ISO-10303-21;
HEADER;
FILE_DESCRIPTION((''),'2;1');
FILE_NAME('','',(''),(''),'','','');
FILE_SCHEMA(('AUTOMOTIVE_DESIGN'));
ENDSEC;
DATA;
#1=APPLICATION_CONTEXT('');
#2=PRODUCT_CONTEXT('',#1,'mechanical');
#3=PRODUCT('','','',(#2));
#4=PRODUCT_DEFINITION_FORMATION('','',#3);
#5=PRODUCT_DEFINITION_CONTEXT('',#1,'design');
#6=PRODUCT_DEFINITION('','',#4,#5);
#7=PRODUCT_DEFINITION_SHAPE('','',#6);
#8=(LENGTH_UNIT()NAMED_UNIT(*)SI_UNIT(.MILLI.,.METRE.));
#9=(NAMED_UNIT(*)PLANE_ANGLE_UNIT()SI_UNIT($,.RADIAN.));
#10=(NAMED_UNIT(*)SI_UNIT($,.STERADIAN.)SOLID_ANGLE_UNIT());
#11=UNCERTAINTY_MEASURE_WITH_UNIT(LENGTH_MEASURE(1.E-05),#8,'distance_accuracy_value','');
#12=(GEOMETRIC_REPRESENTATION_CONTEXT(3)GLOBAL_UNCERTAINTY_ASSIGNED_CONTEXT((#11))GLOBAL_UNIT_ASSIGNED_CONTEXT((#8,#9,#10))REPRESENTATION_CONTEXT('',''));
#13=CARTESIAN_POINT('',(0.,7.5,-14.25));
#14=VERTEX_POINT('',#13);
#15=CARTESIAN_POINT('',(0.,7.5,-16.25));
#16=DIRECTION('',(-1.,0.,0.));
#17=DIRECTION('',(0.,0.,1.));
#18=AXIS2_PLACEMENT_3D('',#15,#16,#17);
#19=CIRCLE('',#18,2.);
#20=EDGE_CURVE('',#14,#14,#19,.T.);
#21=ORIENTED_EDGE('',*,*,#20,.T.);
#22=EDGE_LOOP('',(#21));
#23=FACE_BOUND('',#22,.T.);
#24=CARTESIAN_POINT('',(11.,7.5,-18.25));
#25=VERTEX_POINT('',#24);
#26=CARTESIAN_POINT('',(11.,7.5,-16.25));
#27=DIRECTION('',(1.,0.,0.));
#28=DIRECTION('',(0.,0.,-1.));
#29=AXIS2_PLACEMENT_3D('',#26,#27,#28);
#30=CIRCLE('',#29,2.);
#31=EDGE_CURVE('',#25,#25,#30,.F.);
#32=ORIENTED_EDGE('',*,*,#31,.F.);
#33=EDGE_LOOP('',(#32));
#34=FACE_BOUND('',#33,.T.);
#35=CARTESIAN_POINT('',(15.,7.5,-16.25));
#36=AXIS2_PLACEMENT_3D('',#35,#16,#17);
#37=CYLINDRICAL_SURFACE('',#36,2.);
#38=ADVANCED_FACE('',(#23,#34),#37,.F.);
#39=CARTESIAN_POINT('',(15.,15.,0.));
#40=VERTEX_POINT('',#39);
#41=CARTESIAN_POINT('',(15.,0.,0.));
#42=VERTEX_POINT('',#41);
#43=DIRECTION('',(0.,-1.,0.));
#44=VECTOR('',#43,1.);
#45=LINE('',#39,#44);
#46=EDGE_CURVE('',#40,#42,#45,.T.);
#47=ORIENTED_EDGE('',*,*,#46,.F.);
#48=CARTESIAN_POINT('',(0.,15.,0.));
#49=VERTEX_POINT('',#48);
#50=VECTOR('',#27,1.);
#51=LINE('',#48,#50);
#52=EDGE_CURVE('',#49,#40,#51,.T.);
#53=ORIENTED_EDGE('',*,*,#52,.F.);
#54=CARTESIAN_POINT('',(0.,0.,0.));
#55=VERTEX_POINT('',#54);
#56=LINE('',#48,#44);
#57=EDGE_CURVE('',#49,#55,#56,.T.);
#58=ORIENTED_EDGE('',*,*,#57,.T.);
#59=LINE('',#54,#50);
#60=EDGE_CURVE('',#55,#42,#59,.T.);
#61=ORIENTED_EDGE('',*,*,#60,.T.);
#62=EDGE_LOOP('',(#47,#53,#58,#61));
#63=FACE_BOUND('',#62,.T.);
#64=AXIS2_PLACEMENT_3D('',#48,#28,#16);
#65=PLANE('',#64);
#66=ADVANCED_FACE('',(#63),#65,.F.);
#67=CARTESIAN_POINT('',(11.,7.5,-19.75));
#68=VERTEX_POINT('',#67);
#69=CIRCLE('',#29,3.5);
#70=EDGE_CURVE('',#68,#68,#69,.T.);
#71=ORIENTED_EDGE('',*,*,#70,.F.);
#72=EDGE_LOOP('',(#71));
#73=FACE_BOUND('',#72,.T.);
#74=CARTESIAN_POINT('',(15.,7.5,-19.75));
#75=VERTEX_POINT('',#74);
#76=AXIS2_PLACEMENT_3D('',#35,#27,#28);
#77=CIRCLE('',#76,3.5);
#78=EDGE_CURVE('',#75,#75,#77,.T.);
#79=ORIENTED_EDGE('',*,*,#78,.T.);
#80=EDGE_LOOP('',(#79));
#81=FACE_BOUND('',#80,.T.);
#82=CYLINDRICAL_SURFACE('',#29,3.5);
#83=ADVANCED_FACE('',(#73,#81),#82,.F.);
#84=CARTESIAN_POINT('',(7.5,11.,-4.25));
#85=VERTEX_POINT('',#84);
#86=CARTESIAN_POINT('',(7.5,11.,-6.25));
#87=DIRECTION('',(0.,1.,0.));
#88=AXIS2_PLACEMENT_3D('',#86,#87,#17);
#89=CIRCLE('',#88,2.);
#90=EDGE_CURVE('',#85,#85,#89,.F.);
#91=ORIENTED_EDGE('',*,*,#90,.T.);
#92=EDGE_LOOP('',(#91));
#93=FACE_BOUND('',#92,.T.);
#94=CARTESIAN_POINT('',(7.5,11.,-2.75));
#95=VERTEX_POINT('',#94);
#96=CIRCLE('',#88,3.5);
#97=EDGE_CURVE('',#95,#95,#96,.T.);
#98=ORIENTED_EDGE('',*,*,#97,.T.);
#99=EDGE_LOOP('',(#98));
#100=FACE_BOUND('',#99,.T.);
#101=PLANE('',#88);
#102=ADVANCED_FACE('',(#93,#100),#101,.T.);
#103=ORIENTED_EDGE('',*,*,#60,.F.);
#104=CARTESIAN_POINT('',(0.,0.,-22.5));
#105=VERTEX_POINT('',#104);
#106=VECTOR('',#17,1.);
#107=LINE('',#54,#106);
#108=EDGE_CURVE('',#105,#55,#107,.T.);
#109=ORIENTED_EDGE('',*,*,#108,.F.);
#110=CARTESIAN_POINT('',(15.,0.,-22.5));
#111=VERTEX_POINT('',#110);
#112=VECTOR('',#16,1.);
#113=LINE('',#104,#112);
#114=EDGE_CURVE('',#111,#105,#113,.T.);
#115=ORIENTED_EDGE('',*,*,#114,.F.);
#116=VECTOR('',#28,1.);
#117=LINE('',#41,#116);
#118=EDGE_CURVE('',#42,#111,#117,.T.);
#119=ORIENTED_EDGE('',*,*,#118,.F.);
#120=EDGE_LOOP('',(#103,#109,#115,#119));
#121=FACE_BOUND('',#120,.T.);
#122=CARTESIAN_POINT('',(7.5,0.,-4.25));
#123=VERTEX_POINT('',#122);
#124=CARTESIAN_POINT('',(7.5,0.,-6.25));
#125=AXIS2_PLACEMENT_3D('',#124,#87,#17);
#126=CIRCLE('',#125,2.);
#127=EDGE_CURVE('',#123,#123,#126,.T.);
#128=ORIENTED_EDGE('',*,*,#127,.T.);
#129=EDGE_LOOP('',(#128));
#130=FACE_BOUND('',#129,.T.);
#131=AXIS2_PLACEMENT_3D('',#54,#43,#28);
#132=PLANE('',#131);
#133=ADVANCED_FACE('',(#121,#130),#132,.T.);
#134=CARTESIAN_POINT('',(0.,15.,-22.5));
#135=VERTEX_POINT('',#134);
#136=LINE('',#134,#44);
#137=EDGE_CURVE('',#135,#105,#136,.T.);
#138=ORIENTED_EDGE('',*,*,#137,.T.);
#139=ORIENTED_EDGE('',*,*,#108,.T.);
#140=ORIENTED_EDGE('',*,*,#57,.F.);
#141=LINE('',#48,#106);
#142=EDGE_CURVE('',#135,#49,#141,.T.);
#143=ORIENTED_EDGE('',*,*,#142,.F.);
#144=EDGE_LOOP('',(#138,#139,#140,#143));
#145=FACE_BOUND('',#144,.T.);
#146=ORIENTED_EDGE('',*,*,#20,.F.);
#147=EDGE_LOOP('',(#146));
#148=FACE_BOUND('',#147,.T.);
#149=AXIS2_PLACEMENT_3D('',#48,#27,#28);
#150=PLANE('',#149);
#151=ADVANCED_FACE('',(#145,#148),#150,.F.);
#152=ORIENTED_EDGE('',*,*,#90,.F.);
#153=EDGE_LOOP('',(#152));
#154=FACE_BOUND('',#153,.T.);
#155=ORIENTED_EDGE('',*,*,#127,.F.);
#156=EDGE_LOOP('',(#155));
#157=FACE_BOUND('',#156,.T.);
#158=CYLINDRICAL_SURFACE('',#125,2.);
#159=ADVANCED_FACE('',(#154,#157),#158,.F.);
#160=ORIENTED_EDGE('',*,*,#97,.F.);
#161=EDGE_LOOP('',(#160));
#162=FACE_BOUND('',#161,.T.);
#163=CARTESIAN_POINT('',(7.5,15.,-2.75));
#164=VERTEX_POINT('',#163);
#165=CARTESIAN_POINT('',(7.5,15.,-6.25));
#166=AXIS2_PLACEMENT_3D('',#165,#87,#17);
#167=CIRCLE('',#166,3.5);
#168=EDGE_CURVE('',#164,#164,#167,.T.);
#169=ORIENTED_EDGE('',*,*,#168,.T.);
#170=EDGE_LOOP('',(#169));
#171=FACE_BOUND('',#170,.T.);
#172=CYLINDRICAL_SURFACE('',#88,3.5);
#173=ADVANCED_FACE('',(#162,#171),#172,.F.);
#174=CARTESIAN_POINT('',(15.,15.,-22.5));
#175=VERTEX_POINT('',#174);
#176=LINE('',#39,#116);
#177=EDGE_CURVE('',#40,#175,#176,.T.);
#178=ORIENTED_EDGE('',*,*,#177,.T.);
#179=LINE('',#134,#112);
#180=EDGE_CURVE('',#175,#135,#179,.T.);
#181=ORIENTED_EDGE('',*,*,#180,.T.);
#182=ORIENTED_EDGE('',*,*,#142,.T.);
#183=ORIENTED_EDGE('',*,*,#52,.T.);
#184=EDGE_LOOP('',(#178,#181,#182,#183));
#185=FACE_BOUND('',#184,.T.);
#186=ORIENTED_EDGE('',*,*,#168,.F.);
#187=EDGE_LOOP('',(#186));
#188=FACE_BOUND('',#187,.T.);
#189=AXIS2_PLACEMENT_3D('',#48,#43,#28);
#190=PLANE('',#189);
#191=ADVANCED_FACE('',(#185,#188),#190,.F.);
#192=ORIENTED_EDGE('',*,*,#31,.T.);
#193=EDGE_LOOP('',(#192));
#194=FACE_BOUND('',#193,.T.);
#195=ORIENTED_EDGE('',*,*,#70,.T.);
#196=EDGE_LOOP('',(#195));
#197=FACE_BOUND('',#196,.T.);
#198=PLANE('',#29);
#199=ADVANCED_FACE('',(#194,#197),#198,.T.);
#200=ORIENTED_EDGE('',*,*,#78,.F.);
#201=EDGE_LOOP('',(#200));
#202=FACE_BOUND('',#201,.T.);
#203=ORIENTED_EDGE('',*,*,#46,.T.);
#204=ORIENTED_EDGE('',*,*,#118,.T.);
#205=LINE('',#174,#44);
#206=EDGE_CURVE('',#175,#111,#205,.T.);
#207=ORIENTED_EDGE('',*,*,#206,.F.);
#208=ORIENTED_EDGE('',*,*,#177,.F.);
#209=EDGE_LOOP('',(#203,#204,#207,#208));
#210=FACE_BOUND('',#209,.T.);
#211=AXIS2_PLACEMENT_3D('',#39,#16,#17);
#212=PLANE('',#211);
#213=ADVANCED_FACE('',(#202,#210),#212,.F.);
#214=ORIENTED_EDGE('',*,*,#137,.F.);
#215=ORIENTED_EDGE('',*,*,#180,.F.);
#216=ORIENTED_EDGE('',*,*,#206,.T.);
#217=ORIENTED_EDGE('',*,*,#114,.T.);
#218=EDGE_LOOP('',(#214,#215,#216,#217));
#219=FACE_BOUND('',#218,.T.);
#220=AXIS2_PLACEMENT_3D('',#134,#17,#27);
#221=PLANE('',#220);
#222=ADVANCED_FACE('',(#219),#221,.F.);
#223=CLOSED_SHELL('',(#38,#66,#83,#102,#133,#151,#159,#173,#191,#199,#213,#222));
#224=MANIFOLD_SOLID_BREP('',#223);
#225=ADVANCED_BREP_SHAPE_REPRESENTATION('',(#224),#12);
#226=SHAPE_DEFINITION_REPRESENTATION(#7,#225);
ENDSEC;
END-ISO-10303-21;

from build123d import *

# Parameters (mm, degrees)
SKETCH1_W           = 15
SKETCH1_H           = 22.5
BOSS_EXTRUDE1_DEPTH = 15
SKETCH2_R           = 2
CUT_EXTRUDE1_DEPTH  = 31.923292192
SKETCH3_R           = 2
CUT_EXTRUDE2_DEPTH  = 31.923292192
SKETCH4_R           = 3.5
CUT_EXTRUDE3_DEPTH  = 4
SKETCH5_R           = 3.5
CUT_EXTRUDE4_DEPTH  = 4


with BuildPart() as part:
    # Sketch1 → Boss-Extrude1 (new body)
    with BuildSketch(Plane(origin=(0, 0, 0), x_dir=(1, 0, 0), z_dir=(0, 1, 0))):
        with Locations((7.5, 11.25)):
            Rectangle(SKETCH1_W, SKETCH1_H)
    extrude(amount=BOSS_EXTRUDE1_DEPTH)

    # Sketch2 → Cut-Extrude1 (cut, through all)
    with BuildSketch(Plane(origin=(0, 15, 0), x_dir=(1, 0, 0), z_dir=(0, 1, 0))):
        with Locations(Location((7.5, 6.25, 0), (0, 0, 270))):
            Circle(SKETCH2_R)
    extrude(amount=-CUT_EXTRUDE1_DEPTH, mode=Mode.SUBTRACT)

    # Sketch3 → Cut-Extrude2 (cut, through all)
    with BuildSketch(Plane.ZY):
        with Locations((-16.25, 7.5)):
            Circle(SKETCH3_R)
    extrude(amount=-CUT_EXTRUDE2_DEPTH, mode=Mode.SUBTRACT)

    # Sketch4 → Cut-Extrude3 (cut)
    with BuildSketch(Plane(origin=(0, 15, 0), x_dir=(1, 0, 0), z_dir=(0, 1, 0))):
        with Locations(Location((7.5, 6.25, 0), (0, 0, 270))):
            Circle(SKETCH4_R)
    extrude(amount=-CUT_EXTRUDE3_DEPTH, mode=Mode.SUBTRACT)

    # Sketch5 → Cut-Extrude4 (cut)
    with BuildSketch(Plane(origin=(15, 0, 0), x_dir=(0, 0, -1), z_dir=(1, 0, 0))):
        with Locations((16.25, 7.5)):
            Circle(SKETCH5_R)
    extrude(amount=-CUT_EXTRUDE4_DEPTH, mode=Mode.SUBTRACT)


solid = part.part
